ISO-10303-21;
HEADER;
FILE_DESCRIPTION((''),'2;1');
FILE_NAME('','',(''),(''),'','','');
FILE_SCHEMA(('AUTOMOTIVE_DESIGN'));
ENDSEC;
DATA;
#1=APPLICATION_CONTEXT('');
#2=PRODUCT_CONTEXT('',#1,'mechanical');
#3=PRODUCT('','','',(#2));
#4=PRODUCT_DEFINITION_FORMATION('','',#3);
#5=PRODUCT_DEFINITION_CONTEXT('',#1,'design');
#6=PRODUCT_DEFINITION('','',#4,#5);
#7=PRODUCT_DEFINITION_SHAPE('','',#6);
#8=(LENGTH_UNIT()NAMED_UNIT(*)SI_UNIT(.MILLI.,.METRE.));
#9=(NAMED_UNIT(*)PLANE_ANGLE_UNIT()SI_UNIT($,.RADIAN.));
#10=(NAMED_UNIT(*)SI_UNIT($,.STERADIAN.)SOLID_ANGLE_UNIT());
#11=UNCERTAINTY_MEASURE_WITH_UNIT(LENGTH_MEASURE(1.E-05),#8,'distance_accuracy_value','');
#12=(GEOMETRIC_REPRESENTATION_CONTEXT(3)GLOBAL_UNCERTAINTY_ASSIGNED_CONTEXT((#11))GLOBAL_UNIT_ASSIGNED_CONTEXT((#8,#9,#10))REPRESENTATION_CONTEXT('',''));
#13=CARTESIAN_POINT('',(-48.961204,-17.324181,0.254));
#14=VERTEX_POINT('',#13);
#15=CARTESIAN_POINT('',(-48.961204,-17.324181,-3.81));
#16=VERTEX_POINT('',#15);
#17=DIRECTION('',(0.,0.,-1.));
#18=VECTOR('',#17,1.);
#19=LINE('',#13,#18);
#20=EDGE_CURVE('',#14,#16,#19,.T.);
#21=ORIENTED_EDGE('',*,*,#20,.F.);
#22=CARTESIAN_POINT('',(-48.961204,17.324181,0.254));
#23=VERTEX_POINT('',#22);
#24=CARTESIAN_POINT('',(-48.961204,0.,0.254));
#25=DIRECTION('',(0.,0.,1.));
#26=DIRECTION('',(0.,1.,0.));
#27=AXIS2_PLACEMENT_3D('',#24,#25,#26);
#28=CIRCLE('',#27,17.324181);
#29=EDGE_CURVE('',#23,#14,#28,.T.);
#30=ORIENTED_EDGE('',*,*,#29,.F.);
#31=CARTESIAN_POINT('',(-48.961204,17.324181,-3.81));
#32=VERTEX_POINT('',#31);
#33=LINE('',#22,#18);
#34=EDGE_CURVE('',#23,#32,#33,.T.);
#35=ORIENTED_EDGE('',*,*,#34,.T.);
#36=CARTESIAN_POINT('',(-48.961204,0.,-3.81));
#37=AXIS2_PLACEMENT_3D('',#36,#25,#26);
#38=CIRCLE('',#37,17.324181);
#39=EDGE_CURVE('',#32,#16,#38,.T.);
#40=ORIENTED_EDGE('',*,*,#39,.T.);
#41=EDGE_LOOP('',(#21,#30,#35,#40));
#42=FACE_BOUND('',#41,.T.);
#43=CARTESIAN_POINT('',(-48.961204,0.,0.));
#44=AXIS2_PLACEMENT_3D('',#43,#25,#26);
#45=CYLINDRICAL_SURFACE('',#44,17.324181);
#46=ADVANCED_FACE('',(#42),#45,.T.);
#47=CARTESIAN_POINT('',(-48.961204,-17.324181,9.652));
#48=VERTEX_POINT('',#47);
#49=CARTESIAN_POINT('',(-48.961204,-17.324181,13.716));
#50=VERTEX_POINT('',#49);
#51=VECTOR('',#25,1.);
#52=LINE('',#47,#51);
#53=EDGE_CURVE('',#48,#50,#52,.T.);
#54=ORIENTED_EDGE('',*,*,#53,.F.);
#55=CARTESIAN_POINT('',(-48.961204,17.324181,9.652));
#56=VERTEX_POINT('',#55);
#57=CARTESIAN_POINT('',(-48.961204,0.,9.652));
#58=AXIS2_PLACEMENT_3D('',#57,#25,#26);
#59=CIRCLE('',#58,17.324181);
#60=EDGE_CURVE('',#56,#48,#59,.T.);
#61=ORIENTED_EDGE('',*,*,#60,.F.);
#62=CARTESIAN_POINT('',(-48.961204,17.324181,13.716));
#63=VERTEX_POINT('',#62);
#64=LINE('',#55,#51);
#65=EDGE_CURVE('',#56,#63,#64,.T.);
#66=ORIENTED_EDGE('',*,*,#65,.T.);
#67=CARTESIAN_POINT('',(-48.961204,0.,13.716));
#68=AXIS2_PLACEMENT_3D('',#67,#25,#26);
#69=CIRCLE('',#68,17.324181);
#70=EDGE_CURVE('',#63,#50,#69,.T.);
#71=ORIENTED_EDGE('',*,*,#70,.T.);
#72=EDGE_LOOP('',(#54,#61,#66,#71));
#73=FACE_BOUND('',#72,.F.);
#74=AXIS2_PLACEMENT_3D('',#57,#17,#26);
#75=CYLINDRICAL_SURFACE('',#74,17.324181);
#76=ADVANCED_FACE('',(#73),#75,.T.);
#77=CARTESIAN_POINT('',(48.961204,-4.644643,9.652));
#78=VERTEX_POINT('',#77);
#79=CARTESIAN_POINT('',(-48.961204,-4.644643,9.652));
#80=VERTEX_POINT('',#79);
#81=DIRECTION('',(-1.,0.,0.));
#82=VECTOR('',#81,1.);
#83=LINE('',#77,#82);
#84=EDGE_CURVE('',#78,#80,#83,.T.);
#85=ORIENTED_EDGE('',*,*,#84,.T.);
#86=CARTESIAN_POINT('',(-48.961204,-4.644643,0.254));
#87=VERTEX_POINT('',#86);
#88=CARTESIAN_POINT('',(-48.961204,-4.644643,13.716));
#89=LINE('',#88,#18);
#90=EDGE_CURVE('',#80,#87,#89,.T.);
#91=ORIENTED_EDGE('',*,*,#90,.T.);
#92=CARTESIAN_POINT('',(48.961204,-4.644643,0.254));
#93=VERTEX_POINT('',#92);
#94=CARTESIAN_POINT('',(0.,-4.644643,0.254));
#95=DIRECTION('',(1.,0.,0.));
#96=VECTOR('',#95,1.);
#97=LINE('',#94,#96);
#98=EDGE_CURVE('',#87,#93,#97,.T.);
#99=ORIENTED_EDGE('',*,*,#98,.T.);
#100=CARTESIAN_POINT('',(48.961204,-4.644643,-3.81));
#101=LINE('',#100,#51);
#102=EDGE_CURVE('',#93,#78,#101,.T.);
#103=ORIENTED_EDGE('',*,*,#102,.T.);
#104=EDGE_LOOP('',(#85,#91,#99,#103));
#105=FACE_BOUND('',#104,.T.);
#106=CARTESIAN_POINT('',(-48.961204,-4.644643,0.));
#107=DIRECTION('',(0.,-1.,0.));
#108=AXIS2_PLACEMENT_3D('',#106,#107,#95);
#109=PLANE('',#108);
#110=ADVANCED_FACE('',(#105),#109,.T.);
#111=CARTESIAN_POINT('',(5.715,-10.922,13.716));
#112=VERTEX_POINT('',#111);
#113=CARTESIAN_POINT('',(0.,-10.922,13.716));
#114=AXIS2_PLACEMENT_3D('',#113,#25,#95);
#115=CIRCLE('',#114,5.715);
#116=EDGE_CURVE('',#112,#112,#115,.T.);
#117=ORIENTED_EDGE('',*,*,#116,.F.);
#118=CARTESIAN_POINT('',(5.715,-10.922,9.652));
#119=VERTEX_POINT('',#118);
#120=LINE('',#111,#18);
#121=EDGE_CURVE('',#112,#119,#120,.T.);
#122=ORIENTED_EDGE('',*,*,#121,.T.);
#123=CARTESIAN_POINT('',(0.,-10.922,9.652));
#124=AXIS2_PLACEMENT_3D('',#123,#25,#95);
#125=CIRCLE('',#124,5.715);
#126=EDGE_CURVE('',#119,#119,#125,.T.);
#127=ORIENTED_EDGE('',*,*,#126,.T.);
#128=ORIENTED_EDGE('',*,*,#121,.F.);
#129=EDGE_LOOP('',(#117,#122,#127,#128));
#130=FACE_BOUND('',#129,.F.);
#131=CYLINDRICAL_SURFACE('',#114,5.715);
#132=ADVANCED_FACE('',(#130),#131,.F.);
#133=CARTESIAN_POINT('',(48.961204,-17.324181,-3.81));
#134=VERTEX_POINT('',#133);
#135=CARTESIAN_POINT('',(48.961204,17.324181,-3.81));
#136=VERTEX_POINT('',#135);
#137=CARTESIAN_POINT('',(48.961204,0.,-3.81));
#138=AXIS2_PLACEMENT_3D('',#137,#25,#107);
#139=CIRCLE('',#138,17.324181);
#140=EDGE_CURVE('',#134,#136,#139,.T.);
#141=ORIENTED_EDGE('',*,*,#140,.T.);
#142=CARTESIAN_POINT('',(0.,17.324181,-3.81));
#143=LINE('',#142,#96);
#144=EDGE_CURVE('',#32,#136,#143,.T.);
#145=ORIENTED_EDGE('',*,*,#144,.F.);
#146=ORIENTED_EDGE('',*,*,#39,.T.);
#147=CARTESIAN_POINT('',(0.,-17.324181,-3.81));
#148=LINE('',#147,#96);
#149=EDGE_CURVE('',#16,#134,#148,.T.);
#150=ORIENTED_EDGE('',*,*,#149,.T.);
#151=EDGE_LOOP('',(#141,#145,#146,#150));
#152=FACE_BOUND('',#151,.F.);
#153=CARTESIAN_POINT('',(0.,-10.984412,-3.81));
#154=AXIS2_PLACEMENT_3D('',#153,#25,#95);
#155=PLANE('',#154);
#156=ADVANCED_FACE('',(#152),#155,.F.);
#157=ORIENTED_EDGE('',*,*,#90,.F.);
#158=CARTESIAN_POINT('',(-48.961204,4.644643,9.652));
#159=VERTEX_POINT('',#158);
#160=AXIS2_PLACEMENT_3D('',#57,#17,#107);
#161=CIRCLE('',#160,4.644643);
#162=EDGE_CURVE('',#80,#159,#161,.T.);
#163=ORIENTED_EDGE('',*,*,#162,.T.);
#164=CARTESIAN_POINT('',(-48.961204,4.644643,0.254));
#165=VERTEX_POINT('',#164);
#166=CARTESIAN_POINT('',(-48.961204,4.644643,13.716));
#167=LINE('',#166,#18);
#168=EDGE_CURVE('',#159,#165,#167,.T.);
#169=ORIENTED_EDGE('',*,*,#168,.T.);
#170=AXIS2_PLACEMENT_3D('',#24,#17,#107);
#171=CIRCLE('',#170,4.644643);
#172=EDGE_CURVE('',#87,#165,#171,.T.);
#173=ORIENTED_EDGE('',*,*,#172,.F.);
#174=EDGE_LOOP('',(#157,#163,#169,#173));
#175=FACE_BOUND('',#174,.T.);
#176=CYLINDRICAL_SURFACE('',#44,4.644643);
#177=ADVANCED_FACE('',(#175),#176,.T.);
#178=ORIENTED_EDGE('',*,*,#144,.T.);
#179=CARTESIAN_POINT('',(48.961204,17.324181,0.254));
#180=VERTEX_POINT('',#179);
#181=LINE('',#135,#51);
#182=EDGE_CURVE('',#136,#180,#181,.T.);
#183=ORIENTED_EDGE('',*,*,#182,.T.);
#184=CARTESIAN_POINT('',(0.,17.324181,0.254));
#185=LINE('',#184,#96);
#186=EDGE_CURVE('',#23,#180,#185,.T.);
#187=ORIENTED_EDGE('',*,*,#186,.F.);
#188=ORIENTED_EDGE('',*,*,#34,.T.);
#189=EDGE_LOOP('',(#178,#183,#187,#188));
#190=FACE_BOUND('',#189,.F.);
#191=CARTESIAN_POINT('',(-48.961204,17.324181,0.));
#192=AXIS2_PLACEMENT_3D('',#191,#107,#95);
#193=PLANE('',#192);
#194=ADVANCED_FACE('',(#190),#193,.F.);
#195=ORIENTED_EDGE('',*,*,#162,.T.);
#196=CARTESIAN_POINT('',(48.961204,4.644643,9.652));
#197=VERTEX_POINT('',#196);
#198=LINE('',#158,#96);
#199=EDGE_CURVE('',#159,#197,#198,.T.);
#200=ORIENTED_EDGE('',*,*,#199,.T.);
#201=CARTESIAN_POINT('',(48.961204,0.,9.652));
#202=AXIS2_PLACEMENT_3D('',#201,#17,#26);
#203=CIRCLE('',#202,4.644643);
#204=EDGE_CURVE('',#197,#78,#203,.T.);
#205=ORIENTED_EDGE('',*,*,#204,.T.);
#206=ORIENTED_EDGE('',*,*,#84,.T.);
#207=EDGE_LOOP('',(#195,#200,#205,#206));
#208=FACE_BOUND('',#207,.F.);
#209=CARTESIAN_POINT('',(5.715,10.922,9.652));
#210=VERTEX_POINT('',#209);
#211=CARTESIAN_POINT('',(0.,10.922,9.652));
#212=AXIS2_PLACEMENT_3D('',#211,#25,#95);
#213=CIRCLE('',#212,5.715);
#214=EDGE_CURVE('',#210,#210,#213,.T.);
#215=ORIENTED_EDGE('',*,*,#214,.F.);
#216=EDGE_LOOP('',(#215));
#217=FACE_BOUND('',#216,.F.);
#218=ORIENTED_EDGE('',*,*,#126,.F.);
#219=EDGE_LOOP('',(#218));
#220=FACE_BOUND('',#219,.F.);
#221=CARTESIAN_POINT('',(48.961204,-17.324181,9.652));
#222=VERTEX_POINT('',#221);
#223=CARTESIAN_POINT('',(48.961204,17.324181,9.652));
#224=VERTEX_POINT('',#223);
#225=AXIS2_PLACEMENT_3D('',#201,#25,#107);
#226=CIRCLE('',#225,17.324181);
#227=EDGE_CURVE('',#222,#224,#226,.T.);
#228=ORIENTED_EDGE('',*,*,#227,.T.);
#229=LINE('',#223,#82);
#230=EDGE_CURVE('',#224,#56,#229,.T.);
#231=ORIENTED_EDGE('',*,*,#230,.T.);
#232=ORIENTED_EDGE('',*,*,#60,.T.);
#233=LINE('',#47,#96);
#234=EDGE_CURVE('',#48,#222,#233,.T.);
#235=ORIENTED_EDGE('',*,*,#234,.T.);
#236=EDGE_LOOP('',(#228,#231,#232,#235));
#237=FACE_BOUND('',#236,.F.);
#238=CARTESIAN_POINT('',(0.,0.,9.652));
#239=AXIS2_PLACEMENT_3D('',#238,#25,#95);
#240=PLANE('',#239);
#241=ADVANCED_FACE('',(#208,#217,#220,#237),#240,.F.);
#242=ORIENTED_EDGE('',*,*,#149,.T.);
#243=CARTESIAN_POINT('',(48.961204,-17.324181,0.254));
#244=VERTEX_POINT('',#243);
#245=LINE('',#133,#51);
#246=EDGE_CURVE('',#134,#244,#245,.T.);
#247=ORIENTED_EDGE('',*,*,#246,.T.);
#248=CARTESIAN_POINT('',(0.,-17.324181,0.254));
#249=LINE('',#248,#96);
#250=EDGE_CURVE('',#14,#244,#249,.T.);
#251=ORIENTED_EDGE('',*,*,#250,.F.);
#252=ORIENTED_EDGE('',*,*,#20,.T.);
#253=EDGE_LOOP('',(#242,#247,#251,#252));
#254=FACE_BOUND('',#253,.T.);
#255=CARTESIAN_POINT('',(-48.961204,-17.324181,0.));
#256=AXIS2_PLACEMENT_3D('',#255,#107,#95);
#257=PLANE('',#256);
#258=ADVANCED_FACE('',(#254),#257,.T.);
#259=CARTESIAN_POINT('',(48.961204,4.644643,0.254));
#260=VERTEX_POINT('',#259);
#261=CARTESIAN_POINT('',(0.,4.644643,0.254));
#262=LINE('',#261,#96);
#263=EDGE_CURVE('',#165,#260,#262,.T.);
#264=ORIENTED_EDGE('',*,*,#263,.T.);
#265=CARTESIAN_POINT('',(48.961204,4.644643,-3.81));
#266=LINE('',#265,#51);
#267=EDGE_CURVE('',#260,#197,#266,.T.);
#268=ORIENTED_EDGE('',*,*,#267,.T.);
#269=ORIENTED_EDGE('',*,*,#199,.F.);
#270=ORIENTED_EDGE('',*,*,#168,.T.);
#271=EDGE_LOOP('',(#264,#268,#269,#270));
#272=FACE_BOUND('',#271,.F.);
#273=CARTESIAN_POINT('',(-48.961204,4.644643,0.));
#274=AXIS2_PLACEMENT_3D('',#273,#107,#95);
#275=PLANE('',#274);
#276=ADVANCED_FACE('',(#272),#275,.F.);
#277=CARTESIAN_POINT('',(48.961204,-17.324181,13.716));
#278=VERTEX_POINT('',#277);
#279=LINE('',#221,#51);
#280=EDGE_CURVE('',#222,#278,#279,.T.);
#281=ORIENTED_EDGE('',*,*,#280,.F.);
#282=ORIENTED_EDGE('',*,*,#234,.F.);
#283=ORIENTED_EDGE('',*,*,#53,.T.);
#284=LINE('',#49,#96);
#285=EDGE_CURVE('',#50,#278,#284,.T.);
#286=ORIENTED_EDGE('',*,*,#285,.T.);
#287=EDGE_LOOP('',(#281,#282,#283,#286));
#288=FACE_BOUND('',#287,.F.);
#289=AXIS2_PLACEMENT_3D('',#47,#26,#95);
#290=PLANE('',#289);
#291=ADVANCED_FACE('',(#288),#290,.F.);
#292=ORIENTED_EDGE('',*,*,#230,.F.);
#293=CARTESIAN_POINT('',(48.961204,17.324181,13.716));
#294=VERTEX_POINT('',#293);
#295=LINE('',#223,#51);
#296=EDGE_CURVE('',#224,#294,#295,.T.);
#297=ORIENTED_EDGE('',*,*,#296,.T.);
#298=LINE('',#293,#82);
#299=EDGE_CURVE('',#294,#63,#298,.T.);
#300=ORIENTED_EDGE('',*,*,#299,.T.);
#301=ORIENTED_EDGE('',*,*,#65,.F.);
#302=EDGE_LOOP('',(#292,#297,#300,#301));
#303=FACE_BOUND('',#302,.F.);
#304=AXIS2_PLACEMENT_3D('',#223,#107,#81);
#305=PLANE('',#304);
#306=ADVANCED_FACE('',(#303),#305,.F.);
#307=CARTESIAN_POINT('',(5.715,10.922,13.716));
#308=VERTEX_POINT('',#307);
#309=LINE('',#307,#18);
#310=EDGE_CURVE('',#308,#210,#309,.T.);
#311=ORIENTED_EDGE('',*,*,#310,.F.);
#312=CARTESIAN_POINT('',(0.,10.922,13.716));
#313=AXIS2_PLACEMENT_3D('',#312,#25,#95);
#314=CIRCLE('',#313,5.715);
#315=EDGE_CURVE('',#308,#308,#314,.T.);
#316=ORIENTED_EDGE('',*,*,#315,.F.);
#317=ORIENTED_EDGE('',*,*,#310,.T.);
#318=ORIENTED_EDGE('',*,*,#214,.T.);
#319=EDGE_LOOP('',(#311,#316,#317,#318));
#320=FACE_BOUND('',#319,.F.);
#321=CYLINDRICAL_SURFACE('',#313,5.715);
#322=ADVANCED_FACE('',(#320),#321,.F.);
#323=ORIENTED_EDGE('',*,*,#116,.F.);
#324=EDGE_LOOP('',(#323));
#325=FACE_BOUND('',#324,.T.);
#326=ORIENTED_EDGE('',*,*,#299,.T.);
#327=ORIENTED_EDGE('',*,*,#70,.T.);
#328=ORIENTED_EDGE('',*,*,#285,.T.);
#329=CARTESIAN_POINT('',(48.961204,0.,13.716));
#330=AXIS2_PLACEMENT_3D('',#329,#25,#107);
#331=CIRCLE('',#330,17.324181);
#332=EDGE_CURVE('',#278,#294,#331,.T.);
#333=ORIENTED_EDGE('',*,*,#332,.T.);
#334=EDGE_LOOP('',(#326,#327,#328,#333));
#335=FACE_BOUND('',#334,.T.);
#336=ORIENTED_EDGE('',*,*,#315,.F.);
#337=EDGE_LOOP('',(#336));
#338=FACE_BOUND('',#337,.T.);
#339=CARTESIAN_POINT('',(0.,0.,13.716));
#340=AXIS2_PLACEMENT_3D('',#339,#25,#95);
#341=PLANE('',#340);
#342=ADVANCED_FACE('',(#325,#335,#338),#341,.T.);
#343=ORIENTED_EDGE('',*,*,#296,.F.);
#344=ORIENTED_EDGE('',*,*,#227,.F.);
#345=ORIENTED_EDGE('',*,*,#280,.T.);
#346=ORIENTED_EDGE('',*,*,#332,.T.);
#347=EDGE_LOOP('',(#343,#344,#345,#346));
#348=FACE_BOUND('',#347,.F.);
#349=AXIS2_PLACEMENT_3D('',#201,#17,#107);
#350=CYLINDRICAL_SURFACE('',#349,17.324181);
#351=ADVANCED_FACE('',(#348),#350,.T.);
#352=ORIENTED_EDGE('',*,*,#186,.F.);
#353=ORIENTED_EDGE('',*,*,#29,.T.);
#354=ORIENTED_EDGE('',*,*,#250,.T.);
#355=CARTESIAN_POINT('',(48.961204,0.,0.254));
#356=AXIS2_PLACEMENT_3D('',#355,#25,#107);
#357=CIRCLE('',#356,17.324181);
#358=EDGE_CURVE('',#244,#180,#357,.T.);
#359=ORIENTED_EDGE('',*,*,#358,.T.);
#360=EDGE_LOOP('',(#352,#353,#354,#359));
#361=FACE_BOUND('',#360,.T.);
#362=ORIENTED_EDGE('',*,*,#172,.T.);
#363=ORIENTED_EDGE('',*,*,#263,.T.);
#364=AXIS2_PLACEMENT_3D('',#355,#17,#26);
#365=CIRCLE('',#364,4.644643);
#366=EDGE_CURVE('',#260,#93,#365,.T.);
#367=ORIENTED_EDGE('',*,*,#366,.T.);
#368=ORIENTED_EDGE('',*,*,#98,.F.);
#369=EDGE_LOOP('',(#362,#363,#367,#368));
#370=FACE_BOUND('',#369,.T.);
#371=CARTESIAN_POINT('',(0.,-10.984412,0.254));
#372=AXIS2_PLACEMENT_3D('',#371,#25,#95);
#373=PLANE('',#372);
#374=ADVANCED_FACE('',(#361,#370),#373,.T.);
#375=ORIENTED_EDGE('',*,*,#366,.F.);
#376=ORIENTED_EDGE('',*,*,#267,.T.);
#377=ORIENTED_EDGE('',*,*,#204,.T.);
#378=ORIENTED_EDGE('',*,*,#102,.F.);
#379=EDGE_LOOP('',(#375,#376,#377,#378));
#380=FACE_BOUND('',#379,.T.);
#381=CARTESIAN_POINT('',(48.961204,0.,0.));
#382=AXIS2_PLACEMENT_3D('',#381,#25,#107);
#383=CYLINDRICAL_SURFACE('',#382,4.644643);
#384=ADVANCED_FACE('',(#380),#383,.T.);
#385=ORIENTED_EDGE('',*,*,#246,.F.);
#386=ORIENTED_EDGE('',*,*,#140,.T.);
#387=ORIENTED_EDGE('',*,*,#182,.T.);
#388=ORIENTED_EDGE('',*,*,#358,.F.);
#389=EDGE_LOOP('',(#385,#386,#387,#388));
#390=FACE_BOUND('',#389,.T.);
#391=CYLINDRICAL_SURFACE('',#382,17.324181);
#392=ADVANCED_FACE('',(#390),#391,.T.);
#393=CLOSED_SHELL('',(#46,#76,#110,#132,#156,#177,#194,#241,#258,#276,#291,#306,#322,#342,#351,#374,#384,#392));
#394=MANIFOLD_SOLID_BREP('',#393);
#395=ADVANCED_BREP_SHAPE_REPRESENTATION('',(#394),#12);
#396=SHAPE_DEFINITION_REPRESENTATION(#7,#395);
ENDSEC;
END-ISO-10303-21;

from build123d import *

# Parameters (mm, degrees)
F0_W          = 97.9224070907
F0_H          = 9.2892860994
F1_DEPTH      = 13.716
F1_DEPTH_BACK = 3.81
F0_H_2        = 12.6795382239
F2_DEPTH      = 0.254
F2_DEPTH_BACK = 3.81
F3_START      = 9.398
F3_DEPTH      = 4.064
F4_R          = 5.715
F5_DEPTH      = 4.572


with BuildPart() as f1:
    # F0 (on Top) → F1 (new body, two sides)
    with BuildSketch(Plane.XY) as f1_sk:
        Rectangle(F0_W, F0_H)
        with BuildLine():
            ThreePointArc((48.9612035453, -4.6446430497), (53.605846595, 0), (48.9612035453, 4.6446430497))
            Line((48.9612035453, 4.6446430497), (48.9612035453, -4.6446430497))
        make_face()
        with BuildLine():
            Line((-48.9612035453, -4.6446430497), (-48.9612035453, 4.6446430497))
            ThreePointArc((-48.9612035453, 4.6446430497), (-53.605846595, 0), (-48.9612035453, -4.6446430497))
        make_face()
    extrude(amount=F1_DEPTH)
    extrude(f1_sk.sketch, amount=-F1_DEPTH_BACK)

    # F0 (on Top) → F2 (join, two sides)
    with BuildSketch(Plane.XY) as f2_sk:
        with Locations((0, -10.9844121616)):
            Rectangle(F0_W, F0_H_2)
        with BuildLine():
            Line((-48.9612035453, 4.6446430497), (-48.9612035453, 17.3241812736))
            ThreePointArc((-48.9612035453, 17.3241812736), (-66.2853848189, 0), (-48.9612035453, -17.3241812736))
            Line((-48.9612035453, -17.3241812736), (-48.9612035453, -4.6446430497))
            ThreePointArc((-48.9612035453, -4.6446430497), (-53.605846595, 0), (-48.9612035453, 4.6446430497))
        make_face()
        with Locations((0, 10.9844121616)):
            Rectangle(F0_W, F0_H_2)
        with BuildLine():
            ThreePointArc((48.9612035453, -17.3241812736), (66.2853848189, 0), (48.9612035453, 17.3241812736))
            Line((48.9612035453, 17.3241812736), (48.9612035453, 4.6446430497))
            ThreePointArc((48.9612035453, 4.6446430497), (53.605846595, 0), (48.9612035453, -4.6446430497))
            Line((48.9612035453, -4.6446430497), (48.9612035453, -17.3241812736))
        make_face()
    extrude(amount=F2_DEPTH)
    extrude(f2_sk.sketch, amount=-F2_DEPTH_BACK)

    # F2_face (on face) → F3 (join)
    with BuildSketch(Plane.XY.offset(0.254).offset(F3_START)):
        with BuildLine():
            Line((-48.9612035453, -17.3241812736), (48.9612035453, -17.3241812736))
            ThreePointArc((48.9612035453, -17.3241812736), (66.2853848189, 0), (48.9612035453, 17.3241812736))
            Line((48.9612035453, 17.3241812736), (-48.9612035453, 17.3241812736))
            ThreePointArc((-48.9612035453, 17.3241812736), (-66.2853848189, 0), (-48.9612035453, -17.3241812736))
        make_face()
        with BuildLine():
            Line((48.9612035453, -4.6446430497), (-48.9612035453, -4.6446430497))
            ThreePointArc((-48.9612035453, -4.6446430497), (-53.605846595, 0), (-48.9612035453, 4.6446430497))
            Line((-48.9612035453, 4.6446430497), (48.9612035453, 4.6446430497))
            ThreePointArc((48.9612035453, 4.6446430497), (53.605846595, 0), (48.9612035453, -4.6446430497))
        make_face(mode=Mode.SUBTRACT)
    extrude(amount=F3_DEPTH)

    # F4 (on face) → F5 (cut)
    with BuildSketch(Plane.XY.offset(13.716)):
        with Locations((0, 10.922)):
            Circle(F4_R)
        with Locations((0, -10.922)):
            Circle(F4_R)
    extrude(amount=-F5_DEPTH, mode=Mode.SUBTRACT)


solid = f1.part
